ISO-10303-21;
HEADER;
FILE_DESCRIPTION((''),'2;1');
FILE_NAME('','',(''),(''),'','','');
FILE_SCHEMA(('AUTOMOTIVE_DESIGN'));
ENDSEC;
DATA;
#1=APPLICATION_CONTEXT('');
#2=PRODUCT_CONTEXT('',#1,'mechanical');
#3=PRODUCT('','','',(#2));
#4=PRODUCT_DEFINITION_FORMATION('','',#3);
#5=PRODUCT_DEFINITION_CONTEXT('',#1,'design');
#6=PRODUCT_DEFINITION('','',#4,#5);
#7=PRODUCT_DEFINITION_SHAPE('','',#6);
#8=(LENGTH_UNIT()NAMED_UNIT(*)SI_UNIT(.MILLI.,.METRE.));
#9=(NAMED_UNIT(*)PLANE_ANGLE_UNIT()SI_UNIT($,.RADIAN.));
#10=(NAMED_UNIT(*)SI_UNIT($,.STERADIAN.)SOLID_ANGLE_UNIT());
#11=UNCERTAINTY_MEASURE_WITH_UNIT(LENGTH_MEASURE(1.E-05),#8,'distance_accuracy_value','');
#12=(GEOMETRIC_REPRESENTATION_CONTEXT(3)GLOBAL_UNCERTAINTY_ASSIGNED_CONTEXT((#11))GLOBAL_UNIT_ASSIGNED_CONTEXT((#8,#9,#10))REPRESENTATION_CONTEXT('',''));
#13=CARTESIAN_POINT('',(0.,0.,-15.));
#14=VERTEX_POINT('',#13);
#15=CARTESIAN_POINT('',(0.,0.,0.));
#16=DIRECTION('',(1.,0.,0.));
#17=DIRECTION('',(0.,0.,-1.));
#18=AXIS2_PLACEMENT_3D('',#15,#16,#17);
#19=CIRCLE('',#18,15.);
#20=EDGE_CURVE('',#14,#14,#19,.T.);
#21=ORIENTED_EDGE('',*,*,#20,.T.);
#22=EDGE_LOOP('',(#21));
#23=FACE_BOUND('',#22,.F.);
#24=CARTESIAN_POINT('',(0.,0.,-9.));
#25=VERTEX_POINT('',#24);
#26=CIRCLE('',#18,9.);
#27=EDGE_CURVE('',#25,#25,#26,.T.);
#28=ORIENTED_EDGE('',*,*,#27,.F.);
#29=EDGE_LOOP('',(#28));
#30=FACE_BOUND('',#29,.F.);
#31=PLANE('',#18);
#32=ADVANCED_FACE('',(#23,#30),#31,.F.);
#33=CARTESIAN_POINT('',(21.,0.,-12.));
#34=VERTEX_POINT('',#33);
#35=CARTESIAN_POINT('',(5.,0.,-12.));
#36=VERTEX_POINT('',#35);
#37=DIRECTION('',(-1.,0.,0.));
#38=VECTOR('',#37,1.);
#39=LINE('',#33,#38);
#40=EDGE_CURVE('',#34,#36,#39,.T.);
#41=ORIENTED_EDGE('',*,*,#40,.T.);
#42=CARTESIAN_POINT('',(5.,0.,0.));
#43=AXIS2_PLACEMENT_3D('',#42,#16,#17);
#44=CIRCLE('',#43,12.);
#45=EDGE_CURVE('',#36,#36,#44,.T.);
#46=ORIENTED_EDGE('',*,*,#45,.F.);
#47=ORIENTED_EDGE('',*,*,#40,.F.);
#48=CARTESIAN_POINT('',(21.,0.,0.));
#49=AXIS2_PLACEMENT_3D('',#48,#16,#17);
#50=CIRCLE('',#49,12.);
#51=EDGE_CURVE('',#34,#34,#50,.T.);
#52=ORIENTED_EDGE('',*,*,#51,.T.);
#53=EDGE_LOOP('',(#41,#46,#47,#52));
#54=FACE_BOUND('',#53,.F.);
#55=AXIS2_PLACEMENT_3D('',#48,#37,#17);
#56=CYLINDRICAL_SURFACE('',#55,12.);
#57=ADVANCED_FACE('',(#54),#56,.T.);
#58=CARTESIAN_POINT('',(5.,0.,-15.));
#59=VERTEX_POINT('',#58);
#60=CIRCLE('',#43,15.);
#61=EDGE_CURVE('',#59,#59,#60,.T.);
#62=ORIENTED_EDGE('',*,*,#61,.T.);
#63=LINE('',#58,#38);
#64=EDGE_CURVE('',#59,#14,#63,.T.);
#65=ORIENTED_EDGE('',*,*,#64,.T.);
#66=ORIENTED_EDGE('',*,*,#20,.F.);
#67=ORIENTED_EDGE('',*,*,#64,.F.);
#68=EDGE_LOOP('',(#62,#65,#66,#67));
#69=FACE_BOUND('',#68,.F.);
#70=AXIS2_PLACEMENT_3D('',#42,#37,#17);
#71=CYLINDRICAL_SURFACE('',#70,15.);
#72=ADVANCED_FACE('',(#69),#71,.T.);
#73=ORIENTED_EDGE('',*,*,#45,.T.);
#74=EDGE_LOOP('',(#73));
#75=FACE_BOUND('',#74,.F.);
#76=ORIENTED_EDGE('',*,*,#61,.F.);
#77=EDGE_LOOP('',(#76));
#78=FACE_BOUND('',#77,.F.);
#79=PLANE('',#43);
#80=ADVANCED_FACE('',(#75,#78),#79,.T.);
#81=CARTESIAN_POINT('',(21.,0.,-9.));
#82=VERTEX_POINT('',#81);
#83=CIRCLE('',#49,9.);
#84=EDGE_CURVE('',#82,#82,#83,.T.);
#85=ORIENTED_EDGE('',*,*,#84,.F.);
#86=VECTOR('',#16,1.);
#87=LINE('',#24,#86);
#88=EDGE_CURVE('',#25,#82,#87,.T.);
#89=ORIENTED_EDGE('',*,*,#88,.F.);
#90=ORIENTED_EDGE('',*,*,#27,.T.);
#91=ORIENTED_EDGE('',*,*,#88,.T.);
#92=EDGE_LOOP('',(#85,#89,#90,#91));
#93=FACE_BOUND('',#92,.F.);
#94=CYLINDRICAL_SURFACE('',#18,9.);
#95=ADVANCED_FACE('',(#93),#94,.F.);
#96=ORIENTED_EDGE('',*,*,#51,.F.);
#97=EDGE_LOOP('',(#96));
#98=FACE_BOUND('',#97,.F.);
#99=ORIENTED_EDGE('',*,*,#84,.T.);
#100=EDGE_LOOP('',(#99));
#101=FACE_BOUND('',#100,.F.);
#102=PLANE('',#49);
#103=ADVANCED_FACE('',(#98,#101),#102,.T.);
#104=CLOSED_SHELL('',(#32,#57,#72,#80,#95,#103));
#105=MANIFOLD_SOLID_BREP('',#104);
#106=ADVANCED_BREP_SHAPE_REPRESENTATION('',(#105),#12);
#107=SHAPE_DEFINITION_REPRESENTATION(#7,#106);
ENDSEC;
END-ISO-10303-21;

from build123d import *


with BuildPart() as part:
    # Sketch1 → Revolve1 (revolve)
    with BuildSketch(Plane(origin=(0, 0, 0), x_dir=(1, 0, 0), z_dir=(0, 1, 0))):
        Polygon((0, 15), (0, 9), (5, 9), (21, 9), (21, 12), (5, 12), (5, 15), align=None)
    revolve(axis=Axis((0, 0, 0), (1, 0, 0)))


solid = part.part
